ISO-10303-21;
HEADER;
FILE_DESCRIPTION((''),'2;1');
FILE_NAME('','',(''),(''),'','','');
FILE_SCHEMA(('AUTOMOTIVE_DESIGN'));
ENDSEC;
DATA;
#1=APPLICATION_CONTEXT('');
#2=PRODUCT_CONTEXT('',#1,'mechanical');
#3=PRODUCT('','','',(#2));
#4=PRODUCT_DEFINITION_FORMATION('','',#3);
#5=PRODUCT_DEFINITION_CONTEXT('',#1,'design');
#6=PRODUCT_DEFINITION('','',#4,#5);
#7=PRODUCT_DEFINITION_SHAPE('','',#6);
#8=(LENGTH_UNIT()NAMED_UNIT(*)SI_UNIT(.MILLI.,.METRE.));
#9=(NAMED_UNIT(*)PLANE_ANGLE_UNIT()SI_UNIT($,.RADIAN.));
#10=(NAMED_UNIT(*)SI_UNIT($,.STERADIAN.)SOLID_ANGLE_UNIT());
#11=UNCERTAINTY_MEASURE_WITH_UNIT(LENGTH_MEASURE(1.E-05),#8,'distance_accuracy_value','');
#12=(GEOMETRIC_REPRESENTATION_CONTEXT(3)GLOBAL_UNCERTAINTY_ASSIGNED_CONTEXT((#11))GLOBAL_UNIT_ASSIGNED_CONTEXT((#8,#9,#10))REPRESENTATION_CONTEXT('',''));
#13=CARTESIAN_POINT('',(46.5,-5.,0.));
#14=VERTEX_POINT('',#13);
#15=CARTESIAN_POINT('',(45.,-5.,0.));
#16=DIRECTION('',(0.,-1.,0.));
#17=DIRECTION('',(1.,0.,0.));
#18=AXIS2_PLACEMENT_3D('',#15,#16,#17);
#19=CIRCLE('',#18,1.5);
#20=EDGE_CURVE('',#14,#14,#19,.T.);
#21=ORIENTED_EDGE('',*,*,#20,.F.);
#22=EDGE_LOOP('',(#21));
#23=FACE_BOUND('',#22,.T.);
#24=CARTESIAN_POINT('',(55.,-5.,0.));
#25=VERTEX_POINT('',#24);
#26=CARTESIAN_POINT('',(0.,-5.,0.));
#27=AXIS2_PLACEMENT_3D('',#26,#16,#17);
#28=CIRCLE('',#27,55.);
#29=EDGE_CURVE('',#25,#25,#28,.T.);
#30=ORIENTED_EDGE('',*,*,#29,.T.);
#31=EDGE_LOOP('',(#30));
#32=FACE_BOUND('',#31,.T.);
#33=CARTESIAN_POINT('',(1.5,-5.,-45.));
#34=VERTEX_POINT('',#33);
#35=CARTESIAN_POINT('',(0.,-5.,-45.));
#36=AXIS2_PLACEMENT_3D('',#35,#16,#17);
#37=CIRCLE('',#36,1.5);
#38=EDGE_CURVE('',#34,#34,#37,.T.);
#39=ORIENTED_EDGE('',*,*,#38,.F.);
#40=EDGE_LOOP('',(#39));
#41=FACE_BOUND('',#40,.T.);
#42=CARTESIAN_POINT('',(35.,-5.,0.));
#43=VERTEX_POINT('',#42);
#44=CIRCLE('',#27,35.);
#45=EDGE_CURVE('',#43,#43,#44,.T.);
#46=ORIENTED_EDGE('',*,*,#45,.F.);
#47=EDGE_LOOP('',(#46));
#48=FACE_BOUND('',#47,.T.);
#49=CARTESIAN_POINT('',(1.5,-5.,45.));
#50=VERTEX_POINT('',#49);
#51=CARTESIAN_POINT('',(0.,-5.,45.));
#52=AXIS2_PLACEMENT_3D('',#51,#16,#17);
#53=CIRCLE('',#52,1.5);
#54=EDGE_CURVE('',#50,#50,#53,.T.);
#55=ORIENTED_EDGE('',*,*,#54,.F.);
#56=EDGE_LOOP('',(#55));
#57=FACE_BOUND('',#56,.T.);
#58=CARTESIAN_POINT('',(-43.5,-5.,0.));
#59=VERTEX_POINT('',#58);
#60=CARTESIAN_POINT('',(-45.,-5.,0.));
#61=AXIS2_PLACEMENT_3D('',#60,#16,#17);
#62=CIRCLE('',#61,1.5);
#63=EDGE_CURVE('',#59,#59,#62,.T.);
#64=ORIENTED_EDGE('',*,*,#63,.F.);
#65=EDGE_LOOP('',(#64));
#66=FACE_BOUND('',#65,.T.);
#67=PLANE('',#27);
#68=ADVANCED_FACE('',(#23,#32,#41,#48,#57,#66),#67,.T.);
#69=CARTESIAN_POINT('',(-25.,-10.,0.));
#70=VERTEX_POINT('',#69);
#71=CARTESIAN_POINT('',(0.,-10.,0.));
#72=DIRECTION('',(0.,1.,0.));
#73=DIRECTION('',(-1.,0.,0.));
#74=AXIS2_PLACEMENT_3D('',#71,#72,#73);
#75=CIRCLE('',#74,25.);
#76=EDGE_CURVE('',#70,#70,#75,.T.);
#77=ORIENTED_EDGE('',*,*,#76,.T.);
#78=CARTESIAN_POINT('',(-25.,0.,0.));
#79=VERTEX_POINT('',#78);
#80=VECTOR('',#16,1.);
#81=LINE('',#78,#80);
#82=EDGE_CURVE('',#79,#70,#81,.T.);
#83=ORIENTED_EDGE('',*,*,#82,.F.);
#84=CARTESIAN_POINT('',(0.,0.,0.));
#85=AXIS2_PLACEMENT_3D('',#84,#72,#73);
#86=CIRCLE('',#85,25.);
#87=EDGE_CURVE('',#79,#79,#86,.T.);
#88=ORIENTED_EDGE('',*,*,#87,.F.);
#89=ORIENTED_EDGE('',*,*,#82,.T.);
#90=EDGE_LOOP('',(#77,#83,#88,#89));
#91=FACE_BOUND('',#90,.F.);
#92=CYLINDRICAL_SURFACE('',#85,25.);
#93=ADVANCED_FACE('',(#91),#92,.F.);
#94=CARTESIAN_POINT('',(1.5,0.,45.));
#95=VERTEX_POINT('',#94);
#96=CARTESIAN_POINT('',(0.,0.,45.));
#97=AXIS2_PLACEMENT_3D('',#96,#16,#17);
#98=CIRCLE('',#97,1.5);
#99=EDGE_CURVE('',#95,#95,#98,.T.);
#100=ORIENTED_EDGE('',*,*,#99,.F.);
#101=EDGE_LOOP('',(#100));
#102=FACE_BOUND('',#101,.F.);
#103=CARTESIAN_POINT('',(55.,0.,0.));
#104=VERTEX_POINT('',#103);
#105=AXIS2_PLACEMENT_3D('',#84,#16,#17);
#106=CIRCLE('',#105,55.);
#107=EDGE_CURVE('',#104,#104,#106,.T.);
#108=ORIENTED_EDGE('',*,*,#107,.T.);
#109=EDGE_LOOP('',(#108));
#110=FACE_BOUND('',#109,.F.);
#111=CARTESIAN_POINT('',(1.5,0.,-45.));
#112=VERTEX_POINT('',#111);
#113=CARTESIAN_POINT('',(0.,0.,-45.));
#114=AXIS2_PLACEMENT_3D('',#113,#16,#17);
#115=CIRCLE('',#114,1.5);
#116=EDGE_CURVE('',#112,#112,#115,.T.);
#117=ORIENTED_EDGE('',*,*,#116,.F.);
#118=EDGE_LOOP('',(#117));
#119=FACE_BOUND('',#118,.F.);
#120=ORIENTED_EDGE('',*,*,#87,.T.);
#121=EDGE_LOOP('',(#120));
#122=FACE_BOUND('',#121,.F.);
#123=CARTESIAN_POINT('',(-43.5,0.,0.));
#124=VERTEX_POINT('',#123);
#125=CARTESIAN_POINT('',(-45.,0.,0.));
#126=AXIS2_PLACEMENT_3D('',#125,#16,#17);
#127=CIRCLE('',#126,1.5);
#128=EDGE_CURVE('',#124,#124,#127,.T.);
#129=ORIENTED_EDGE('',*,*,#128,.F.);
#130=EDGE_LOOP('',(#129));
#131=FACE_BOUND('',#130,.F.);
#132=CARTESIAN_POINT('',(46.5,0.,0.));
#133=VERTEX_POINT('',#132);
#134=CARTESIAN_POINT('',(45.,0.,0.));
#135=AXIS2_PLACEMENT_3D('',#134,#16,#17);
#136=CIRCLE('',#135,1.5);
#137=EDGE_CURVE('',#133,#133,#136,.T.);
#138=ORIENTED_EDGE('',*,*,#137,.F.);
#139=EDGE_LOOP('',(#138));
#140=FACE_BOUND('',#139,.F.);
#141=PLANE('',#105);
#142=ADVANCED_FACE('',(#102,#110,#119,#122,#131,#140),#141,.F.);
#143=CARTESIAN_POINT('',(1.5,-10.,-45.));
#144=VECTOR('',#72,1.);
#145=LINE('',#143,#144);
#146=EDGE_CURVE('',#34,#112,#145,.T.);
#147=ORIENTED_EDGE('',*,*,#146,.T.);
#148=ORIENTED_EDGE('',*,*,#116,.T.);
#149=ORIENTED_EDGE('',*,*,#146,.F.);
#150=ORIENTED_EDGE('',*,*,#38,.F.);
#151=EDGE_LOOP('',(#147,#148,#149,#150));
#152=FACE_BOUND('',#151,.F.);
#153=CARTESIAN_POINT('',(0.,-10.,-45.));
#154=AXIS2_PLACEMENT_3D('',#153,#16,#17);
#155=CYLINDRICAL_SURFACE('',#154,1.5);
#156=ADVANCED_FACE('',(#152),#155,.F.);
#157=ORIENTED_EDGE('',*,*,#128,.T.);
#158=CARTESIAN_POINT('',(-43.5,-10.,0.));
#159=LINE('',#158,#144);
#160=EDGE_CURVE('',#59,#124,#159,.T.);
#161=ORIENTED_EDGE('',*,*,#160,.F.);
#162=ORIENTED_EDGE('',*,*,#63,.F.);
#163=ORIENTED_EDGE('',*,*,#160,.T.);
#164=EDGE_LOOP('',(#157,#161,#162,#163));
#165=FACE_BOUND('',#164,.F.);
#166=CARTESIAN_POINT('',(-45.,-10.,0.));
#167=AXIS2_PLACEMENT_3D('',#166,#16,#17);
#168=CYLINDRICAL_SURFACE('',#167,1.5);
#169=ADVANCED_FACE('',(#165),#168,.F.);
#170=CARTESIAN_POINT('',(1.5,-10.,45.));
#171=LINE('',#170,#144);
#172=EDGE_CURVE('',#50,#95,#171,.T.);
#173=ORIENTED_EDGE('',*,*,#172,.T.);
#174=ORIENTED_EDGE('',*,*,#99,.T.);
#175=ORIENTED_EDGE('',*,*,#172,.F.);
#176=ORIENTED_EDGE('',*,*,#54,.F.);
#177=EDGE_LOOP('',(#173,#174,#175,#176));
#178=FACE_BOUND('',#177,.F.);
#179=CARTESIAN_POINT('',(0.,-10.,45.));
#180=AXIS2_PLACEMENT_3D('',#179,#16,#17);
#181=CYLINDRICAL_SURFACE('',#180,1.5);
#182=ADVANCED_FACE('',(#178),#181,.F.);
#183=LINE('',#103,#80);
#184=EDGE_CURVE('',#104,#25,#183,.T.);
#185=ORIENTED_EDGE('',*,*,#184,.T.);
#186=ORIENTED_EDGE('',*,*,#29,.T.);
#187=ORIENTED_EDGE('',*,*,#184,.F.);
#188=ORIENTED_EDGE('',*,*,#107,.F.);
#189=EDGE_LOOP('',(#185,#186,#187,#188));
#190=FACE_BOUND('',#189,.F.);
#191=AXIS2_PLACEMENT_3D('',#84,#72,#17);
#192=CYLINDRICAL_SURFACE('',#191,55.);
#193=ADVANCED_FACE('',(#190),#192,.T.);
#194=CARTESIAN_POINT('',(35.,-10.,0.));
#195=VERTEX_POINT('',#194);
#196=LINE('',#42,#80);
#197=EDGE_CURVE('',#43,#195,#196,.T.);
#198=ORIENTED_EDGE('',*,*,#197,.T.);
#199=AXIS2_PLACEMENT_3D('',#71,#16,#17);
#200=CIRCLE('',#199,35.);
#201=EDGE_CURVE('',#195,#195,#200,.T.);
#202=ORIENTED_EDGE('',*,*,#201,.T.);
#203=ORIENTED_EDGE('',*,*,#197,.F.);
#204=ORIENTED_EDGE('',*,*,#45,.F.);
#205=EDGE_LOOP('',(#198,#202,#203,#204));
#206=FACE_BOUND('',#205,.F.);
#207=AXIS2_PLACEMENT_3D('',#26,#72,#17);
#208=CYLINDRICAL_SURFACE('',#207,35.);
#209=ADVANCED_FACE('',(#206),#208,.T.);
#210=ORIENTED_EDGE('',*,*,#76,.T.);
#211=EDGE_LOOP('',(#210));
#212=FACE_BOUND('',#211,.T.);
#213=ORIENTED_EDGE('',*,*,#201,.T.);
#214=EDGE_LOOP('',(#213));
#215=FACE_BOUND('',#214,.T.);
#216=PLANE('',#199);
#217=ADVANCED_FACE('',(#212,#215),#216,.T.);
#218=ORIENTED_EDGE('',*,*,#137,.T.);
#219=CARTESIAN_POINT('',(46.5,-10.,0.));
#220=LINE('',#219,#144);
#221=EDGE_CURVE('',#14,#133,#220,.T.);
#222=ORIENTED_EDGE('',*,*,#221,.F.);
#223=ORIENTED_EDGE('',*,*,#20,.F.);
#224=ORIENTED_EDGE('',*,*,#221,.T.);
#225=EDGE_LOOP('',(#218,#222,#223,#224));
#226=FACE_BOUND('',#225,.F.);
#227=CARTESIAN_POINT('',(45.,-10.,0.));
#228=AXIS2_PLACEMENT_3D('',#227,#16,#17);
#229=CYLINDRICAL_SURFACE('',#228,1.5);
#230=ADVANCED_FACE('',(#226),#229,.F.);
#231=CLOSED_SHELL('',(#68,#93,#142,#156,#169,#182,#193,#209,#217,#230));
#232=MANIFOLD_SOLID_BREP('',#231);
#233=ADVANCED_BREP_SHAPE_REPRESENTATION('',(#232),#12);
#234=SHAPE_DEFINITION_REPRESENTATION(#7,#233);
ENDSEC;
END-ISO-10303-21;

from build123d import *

# Parameters (mm, degrees)
F0_R     = 55
F1_DEPTH = 5
F2_R     = 35
F3_DEPTH = 5
F4_R     = 25
F5_DEPTH = 25
F6_R     = 1.5
F7_DEPTH = 12


with BuildPart() as f1:
    # F0 (on Front) → F1 (new body)
    with BuildSketch(Plane.XZ):
        Circle(F0_R)
    extrude(amount=F1_DEPTH)

    # F2 (on face) → F3 (join)
    with BuildSketch(Plane.XZ.offset(5)):
        Circle(F2_R)
    extrude(amount=F3_DEPTH)

    # F4 (on face) → F5 (cut)
    with BuildSketch(Plane(origin=(0, 0, 0), x_dir=(-1, 0, 0), z_dir=(0, 1, 0))):
        Circle(F4_R)
    extrude(amount=-F5_DEPTH, mode=Mode.SUBTRACT)

    # F6 (on face) → F7 (cut)
    with BuildSketch(Plane.XZ.offset(10)):
        with Locations((-45, 0)):
            Circle(F6_R)
        with Locations((0, 45)):
            Circle(F6_R)
        with Locations((0, -45)):
            Circle(F6_R)
        with Locations((45, 0)):
            Circle(F6_R)
    extrude(amount=-F7_DEPTH, mode=Mode.SUBTRACT)


solid = f1.part
